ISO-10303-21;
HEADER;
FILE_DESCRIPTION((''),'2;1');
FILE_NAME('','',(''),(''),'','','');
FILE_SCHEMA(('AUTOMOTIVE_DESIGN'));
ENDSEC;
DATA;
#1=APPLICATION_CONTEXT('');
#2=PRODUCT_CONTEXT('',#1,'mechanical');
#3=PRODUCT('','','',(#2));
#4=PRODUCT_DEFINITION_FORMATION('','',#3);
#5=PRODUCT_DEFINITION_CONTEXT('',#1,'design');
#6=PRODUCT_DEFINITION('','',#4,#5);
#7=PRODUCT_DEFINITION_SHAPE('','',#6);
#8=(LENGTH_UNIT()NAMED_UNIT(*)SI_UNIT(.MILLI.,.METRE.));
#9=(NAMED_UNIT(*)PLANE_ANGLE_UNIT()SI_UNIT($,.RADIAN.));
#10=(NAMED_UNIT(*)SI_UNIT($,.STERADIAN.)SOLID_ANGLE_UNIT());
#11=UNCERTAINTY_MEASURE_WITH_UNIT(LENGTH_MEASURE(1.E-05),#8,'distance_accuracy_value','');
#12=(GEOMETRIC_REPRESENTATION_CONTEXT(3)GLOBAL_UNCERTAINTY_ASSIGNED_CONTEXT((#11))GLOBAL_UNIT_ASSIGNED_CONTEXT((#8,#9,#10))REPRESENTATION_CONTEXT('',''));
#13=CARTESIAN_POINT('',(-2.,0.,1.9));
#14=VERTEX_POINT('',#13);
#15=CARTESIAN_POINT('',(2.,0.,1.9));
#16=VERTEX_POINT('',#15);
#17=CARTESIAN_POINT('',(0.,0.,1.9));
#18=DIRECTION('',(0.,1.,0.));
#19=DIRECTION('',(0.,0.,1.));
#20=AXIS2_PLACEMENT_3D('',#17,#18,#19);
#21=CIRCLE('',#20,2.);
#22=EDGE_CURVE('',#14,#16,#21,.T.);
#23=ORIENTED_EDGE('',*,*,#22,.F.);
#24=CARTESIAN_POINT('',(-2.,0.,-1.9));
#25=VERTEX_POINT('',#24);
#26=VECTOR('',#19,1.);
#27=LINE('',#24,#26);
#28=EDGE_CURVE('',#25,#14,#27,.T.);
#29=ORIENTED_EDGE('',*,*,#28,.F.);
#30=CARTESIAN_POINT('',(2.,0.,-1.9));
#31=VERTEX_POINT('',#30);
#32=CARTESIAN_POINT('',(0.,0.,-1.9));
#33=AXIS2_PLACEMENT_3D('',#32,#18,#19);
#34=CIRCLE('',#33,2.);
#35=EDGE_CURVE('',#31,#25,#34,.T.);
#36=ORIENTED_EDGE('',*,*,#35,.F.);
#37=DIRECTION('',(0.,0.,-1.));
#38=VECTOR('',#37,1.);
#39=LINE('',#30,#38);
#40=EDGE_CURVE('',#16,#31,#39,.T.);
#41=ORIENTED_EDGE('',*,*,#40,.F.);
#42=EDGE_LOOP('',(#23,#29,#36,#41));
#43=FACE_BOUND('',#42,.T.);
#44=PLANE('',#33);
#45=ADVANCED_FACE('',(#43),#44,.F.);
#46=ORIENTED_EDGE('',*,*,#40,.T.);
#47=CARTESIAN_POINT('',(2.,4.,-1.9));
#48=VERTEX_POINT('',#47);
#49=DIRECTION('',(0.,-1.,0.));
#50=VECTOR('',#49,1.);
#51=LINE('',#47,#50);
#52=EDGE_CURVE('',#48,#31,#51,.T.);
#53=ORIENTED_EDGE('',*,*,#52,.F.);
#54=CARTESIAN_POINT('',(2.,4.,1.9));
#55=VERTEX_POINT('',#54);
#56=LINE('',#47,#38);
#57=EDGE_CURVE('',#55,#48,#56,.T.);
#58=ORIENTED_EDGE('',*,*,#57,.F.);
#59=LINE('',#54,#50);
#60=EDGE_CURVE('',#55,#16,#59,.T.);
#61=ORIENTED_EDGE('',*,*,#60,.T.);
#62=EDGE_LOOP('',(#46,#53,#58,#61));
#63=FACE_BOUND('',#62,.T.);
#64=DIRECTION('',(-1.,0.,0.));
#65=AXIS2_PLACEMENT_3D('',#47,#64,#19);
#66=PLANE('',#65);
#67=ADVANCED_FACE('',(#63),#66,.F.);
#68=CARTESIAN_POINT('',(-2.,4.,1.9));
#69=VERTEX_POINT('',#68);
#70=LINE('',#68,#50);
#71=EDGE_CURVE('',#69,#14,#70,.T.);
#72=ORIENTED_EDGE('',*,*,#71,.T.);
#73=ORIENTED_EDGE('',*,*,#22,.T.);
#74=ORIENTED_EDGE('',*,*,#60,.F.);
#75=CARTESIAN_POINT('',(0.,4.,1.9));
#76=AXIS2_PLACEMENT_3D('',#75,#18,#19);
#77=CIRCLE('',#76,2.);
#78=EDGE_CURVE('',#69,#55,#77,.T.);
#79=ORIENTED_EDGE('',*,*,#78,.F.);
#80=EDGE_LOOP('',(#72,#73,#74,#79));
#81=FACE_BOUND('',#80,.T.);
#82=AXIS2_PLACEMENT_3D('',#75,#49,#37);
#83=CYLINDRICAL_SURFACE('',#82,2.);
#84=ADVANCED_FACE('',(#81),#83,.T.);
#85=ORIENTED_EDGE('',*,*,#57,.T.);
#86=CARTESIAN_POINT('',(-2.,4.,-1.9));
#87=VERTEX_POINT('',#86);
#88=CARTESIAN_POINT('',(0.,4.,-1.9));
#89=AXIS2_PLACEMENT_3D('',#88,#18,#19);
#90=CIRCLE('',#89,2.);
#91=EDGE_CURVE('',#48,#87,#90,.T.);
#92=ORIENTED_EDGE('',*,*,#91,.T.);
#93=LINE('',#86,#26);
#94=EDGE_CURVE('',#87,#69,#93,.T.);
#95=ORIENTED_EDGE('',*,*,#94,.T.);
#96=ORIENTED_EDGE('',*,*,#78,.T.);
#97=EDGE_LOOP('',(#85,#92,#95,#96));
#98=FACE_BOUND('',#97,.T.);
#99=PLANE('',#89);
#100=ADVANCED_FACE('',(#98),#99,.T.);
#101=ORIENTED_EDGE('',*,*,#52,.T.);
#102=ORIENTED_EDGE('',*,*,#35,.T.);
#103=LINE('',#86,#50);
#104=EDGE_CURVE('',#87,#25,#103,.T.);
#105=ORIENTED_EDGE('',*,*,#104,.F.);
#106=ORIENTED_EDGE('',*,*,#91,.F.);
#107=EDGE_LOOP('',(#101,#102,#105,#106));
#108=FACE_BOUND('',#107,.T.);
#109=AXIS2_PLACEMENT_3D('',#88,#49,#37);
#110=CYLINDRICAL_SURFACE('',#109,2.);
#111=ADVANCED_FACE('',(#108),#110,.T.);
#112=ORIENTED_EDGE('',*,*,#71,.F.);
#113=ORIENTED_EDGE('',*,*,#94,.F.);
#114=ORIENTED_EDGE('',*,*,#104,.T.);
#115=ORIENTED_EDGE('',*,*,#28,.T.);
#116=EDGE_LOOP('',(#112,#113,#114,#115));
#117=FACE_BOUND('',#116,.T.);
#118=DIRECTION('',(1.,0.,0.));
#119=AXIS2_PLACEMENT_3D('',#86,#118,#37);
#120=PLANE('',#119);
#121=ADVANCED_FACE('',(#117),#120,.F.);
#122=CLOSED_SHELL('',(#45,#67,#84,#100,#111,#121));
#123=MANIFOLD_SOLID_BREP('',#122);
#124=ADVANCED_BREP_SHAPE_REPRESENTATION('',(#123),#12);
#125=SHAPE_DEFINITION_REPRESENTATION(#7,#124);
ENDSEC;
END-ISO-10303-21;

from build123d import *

# Parameters (mm, degrees)
BOSS_EXTRU_1_DEPTH = 4


with BuildPart() as part:
    # Esquisse1 → Boss.-Extru.1 (new body)
    with BuildSketch(Plane(origin=(0, 0, 0), x_dir=(1, 0, 0), z_dir=(0, 1, 0))):
        with BuildLine():
            Line((2, 1.9), (2, -1.9))
            ThreePointArc((2, -1.9), (0, -3.9), (-2, -1.9))
            Line((-2, -1.9), (-2, 1.9))
            ThreePointArc((-2, 1.9), (0, 3.9), (2, 1.9))
        make_face()
    extrude(amount=BOSS_EXTRU_1_DEPTH)


solid = part.part
